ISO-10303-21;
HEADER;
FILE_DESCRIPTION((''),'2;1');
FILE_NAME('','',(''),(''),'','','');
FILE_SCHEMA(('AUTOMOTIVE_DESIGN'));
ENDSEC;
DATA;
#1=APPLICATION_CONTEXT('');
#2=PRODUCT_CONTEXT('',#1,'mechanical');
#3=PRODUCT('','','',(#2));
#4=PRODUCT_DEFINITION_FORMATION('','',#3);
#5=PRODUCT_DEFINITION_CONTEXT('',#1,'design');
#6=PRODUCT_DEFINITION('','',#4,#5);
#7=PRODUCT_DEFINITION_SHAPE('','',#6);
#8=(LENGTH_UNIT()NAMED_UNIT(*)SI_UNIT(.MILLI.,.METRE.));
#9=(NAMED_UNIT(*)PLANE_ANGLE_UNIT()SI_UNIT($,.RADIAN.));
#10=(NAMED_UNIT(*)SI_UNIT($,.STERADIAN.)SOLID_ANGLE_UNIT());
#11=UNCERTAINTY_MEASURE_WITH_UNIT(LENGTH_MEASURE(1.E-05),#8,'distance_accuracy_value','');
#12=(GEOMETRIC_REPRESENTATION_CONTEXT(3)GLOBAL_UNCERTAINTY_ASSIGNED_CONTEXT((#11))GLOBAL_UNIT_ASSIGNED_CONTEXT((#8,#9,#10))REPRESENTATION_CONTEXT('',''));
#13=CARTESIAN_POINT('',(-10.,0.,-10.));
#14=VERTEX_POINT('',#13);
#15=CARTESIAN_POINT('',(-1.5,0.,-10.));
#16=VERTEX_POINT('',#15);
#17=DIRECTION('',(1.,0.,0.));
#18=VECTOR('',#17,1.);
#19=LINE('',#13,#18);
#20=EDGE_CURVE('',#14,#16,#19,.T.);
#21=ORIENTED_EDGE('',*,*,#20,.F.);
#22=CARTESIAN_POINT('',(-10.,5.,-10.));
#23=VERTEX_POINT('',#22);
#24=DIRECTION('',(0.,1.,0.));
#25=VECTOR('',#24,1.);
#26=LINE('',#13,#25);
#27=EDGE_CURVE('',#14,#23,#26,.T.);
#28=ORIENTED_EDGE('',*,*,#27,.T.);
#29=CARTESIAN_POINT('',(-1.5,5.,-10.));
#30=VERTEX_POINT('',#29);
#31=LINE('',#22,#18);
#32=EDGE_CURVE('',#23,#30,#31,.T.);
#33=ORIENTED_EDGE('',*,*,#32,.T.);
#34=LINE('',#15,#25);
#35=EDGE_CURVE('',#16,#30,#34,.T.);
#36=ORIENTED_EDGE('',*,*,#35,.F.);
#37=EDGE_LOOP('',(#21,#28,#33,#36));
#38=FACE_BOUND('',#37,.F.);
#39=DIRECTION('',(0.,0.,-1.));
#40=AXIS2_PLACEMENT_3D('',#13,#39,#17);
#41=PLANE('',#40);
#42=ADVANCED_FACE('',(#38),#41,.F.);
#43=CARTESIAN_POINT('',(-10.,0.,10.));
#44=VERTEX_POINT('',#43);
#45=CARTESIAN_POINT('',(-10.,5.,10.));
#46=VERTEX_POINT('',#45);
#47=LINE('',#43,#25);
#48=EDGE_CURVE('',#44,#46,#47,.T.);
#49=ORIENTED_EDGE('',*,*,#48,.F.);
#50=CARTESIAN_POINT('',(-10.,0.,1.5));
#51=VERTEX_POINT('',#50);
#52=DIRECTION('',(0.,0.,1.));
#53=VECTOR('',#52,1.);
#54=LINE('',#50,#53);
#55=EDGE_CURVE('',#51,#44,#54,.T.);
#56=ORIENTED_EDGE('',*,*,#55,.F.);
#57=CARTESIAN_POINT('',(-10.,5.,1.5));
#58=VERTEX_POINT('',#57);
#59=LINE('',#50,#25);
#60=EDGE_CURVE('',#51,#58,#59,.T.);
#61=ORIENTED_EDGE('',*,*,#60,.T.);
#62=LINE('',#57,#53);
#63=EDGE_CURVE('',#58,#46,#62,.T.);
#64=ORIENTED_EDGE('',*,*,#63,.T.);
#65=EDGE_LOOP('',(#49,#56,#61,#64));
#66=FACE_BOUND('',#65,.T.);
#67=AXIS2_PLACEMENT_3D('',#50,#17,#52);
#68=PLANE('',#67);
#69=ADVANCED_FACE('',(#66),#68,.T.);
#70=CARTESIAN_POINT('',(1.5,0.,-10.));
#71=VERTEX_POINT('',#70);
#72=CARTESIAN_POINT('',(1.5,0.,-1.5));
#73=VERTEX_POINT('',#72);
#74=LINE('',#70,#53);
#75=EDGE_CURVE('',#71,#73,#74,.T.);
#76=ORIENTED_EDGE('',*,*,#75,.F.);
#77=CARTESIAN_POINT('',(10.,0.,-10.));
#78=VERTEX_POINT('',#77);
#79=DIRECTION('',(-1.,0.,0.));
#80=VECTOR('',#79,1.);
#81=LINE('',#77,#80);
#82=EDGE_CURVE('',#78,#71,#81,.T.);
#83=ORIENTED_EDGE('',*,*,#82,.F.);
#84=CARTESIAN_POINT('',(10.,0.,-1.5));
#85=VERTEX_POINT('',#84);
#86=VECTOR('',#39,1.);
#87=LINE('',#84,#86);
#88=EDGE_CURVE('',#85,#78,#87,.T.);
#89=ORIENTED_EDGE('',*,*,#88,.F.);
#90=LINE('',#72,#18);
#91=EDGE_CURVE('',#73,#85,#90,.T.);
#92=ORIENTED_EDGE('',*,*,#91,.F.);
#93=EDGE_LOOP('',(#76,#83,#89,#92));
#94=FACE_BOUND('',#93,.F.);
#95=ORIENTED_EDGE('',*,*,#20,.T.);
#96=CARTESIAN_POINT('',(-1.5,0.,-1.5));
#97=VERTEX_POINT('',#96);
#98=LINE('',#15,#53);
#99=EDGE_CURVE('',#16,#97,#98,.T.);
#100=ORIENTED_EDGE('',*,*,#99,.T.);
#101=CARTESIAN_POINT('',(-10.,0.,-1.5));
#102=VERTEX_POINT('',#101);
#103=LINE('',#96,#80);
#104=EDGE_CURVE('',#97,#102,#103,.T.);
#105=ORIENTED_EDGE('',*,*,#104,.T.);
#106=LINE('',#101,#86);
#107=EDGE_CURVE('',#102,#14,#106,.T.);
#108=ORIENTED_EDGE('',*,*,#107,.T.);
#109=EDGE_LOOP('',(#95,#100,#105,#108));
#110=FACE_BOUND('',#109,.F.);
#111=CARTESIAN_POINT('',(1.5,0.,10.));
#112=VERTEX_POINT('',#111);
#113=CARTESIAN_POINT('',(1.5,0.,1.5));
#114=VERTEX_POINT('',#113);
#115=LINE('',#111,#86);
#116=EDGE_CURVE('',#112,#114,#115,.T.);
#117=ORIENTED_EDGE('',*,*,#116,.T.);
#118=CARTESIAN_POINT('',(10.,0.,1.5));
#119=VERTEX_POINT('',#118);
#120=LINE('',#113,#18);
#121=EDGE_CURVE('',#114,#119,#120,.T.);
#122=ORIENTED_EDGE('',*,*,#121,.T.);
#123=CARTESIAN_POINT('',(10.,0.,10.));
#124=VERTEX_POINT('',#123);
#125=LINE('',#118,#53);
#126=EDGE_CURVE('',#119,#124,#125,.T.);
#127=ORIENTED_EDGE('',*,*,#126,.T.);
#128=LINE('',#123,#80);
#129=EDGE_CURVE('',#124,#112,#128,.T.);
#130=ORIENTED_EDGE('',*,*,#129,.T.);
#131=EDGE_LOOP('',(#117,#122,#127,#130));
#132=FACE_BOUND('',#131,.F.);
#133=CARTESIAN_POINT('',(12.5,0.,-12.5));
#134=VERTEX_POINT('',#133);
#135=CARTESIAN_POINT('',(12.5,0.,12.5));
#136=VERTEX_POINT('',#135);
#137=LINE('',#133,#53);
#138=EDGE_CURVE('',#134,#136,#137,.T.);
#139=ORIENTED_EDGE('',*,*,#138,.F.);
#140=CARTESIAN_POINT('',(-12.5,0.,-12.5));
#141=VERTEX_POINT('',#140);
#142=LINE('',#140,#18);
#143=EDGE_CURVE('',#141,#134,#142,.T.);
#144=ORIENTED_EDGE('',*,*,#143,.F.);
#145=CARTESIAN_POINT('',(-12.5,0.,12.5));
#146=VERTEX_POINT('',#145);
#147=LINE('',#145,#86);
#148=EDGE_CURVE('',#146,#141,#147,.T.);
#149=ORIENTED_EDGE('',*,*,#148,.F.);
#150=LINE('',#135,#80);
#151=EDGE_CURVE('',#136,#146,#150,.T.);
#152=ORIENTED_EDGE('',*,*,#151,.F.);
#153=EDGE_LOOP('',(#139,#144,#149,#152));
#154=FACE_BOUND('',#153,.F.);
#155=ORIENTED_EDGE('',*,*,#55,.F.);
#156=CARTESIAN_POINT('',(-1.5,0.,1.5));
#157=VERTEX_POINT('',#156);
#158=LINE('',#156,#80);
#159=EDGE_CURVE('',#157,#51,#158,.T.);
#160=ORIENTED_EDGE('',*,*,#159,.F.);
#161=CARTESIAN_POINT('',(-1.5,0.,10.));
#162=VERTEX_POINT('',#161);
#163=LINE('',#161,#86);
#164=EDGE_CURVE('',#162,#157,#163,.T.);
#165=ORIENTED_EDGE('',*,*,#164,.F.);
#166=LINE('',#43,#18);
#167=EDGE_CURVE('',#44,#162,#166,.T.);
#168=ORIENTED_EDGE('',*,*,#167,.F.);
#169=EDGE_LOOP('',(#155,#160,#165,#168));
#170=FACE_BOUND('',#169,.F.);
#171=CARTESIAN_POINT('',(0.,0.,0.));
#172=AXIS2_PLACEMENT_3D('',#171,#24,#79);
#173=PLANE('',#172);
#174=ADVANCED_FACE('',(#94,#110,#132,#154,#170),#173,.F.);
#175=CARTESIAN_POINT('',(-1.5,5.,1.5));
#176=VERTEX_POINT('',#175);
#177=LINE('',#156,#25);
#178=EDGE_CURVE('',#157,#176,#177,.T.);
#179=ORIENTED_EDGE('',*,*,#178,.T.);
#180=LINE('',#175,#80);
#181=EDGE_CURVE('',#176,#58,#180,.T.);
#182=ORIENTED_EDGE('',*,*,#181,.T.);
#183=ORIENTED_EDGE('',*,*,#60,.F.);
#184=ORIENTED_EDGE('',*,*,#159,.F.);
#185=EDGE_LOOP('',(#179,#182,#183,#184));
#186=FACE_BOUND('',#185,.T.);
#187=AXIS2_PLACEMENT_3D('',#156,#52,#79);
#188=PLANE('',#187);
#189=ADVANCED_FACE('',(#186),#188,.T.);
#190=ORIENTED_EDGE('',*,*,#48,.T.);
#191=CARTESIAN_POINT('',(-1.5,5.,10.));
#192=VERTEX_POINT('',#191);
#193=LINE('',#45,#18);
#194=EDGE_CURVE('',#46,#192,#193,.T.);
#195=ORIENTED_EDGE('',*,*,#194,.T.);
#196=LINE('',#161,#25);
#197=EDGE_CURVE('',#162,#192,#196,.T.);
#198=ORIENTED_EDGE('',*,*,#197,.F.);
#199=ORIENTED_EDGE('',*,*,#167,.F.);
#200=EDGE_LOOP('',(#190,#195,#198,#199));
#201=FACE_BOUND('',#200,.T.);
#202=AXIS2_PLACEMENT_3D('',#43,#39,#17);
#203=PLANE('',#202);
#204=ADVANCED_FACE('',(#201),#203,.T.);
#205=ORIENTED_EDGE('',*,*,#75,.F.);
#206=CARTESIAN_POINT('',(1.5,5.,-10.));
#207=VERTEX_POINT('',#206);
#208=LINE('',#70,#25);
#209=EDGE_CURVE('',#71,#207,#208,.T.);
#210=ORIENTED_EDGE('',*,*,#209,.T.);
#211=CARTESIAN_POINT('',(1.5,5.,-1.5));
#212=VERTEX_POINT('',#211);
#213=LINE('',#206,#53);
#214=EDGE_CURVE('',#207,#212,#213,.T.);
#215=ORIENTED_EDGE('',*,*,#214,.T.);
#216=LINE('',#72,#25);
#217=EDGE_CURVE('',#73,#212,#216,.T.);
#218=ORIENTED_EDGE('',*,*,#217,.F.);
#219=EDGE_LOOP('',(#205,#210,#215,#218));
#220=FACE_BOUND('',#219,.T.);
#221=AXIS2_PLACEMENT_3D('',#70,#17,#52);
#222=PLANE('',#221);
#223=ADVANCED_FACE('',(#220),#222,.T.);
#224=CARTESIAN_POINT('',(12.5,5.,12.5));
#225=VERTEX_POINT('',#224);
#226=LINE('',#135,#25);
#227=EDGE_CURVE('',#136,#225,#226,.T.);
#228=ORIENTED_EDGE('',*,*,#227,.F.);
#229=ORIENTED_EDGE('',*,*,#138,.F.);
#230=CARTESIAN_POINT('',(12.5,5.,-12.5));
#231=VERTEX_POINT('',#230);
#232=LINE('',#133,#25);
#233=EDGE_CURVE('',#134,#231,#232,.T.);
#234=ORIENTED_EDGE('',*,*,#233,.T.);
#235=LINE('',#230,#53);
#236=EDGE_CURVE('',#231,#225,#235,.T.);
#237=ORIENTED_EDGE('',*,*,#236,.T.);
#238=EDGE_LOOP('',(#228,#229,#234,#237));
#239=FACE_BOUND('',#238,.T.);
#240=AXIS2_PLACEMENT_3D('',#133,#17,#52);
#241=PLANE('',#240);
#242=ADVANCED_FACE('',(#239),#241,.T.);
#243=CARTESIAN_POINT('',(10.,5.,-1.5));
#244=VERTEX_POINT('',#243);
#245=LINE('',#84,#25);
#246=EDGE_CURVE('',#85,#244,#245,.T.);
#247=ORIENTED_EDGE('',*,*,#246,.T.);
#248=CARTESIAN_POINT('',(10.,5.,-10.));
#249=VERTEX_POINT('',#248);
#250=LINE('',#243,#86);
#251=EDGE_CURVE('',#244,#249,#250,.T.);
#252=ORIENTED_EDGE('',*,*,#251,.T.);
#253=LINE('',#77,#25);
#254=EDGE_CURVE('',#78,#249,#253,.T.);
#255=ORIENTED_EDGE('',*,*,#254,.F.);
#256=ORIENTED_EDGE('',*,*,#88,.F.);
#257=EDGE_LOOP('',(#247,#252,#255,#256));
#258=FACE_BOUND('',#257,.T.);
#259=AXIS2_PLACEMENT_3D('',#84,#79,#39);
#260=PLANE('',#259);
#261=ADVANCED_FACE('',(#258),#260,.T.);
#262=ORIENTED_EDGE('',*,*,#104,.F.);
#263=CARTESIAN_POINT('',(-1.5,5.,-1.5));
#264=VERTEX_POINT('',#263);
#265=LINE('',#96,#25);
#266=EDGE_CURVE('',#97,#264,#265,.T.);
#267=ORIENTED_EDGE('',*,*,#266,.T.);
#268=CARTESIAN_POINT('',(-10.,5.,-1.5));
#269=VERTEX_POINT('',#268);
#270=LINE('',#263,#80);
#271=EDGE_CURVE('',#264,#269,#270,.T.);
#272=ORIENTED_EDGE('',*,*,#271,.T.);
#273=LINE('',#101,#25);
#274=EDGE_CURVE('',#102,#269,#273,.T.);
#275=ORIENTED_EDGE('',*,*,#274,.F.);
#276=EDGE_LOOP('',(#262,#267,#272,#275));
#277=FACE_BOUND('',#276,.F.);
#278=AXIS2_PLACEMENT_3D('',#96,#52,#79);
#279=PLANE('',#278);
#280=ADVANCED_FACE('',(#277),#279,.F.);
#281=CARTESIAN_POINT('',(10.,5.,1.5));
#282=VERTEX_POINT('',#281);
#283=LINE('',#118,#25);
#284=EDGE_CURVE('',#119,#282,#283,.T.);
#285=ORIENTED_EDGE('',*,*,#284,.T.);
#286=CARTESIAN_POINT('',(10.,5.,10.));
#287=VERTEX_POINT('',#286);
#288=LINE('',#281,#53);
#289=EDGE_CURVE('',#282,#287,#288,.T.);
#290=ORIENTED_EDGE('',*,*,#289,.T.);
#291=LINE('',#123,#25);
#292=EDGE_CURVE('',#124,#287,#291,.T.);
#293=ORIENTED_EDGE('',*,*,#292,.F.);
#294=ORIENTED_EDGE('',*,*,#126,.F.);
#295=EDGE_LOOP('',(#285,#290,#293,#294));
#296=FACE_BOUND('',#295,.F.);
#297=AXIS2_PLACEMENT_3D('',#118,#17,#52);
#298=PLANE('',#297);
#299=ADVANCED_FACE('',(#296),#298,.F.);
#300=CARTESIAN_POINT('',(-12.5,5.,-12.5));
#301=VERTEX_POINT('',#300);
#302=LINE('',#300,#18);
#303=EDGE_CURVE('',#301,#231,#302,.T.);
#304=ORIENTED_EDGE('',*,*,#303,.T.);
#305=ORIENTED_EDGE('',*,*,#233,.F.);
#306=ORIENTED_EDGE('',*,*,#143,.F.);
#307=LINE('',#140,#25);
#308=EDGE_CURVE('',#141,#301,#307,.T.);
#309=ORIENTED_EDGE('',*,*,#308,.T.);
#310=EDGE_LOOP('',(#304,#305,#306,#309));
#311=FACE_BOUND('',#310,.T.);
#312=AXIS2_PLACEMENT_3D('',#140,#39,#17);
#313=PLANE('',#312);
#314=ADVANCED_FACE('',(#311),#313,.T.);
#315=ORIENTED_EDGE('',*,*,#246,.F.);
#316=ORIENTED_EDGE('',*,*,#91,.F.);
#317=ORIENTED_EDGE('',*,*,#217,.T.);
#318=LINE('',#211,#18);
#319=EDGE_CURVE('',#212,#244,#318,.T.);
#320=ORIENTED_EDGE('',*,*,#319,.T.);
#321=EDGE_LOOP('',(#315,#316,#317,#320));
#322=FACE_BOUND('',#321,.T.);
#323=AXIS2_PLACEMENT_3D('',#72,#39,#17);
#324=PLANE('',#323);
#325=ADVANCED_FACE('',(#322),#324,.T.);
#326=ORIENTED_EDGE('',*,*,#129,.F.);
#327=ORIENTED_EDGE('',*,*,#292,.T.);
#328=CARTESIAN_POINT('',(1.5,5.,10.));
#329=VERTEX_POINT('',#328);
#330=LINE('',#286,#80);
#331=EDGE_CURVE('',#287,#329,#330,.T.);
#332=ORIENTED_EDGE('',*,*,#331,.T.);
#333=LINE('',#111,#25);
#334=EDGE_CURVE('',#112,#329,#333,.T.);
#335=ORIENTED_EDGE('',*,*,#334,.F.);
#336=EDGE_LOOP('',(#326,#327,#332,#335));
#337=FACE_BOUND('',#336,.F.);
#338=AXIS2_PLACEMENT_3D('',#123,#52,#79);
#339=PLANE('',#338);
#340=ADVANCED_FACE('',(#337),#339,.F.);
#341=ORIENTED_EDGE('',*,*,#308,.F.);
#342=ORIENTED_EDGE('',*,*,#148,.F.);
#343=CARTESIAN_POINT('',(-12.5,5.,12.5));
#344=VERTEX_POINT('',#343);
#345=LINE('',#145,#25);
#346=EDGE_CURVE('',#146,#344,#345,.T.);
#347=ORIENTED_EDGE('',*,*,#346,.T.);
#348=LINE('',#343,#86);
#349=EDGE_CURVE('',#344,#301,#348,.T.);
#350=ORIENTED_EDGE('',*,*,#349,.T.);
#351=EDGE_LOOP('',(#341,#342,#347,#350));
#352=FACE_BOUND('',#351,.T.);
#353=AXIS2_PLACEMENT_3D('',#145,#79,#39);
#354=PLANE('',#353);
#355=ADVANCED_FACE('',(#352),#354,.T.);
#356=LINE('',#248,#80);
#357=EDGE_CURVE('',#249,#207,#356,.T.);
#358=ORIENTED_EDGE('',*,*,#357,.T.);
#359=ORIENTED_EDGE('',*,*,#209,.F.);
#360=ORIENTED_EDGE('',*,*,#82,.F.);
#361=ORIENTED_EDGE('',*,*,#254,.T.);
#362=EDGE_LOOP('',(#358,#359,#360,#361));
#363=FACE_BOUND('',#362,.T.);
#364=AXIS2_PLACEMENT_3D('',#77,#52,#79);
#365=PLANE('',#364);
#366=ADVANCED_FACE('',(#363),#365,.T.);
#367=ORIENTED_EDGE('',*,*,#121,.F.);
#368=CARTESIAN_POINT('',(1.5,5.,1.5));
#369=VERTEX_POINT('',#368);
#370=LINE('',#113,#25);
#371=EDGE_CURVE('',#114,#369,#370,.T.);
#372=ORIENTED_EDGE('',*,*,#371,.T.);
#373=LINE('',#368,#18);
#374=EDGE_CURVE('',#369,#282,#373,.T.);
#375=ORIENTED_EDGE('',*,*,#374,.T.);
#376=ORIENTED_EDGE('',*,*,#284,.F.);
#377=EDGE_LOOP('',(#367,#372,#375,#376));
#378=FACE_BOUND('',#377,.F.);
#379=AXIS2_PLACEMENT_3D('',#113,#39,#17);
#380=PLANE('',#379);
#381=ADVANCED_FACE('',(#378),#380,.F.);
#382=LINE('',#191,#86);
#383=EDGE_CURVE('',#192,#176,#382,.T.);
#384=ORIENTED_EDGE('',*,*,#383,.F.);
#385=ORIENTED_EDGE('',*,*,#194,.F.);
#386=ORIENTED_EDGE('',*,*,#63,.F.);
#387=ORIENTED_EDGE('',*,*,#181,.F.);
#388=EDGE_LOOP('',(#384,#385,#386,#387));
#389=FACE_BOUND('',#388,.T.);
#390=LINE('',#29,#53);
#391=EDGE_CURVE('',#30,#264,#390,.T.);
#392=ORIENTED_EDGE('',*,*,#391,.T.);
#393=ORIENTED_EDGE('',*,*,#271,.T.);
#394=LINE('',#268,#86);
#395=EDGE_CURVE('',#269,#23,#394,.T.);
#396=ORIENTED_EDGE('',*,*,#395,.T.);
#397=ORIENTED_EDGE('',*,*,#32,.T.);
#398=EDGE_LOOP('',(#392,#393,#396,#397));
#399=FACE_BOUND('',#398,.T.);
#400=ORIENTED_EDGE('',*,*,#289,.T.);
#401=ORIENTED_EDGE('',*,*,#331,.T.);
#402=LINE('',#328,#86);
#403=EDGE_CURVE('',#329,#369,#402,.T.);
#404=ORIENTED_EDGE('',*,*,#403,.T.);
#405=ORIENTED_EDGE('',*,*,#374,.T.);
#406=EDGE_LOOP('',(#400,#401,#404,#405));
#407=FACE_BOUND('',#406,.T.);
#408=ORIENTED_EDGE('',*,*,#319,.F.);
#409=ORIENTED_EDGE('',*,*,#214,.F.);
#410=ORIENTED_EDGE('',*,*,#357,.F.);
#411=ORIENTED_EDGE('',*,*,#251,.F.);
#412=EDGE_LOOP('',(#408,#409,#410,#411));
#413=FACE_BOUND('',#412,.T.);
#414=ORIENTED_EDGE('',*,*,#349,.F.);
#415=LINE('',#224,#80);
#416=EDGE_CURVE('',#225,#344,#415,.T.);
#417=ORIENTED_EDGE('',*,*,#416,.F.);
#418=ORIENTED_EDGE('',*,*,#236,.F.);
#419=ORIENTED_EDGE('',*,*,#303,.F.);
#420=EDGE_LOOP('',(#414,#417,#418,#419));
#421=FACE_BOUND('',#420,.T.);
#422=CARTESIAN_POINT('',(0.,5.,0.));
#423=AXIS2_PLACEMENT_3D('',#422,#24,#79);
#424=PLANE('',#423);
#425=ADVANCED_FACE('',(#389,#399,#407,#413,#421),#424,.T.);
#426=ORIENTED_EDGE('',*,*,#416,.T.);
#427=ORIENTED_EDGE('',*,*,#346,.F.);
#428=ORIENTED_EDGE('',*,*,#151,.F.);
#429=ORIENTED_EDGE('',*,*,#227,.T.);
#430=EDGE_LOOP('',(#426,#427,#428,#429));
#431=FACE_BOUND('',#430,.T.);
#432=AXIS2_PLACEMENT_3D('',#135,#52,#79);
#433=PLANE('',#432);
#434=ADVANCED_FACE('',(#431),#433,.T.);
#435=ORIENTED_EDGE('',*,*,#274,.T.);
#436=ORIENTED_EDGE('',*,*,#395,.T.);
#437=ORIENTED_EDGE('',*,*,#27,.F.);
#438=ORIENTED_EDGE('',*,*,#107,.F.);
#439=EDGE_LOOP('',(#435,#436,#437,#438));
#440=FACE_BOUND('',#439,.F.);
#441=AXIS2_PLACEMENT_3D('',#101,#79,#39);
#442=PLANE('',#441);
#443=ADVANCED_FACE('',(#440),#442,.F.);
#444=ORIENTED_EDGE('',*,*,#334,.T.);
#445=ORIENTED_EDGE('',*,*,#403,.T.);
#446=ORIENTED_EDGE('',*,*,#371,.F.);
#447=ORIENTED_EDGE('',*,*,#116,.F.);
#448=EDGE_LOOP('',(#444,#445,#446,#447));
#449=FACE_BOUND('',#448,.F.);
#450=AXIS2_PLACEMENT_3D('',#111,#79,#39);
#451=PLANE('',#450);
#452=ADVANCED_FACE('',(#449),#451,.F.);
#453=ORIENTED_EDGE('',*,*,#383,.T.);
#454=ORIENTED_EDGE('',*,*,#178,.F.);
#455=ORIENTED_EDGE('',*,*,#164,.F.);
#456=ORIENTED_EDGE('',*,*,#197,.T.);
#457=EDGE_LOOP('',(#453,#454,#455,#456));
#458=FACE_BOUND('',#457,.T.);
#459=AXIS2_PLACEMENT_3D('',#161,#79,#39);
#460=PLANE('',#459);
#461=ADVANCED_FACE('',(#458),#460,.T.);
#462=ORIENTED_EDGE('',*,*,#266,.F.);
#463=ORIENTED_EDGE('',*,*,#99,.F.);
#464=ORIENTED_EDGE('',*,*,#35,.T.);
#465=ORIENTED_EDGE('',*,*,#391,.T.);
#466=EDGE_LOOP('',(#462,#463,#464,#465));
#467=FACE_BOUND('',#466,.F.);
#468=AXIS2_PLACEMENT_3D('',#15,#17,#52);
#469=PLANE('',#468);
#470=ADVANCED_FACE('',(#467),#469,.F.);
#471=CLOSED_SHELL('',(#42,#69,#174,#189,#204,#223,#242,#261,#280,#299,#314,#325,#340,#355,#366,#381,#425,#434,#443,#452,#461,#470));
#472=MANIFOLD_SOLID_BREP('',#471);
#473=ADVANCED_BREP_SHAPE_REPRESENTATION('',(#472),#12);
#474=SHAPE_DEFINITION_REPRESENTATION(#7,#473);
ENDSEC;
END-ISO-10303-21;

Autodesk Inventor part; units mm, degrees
ref_plane "YZ Plane" through (0, 0, 0) normal (1, 0, 0) x (0, 1, 0)
ref_plane "XZ Plane" through (0, 0, 0) normal (0, 1, 0) x (-1, 0, 0)
ref_plane "XY Plane" through (0, 0, 0) normal (0, 0, 1) x (1, 0, 0)
sketch "Skizze1" plane through (0, 0, 0) normal (0, 1, 0) x (-1, 0, 0)
  line L0 (-12.5, 12.5) -> (12.5, 12.5)
  line L1 (12.5, 12.5) -> (12.5, -12.5)
  line L2 (12.5, -12.5) -> (-12.5, -12.5)
  line L3 (-12.5, -12.5) -> (-12.5, 12.5)
  line L4 (-12.5, 12.5) -> (12.5, -12.5) construction
  line L5 (12.5, 12.5) -> (-12.5, -12.5) construction
  line L6 (10, 10) -> (1.5, 10)
  line L7 (1.5, 10) -> (1.5, 1.5)
  line L8 (1.5, 1.5) -> (10, 1.5)
  line L9 (10, 1.5) -> (10, 10)
  line L10 (10, -10) -> (1.5, -10)
  line L11 (1.5, -10) -> (1.5, -1.5)
  line L12 (1.5, -1.5) -> (10, -1.5)
  line L13 (10, -1.5) -> (10, -10)
  line L14 (-1.5, 1.5) -> (-10, 1.5)
  line L15 (-10, 1.5) -> (-10, 10)
  line L16 (-10, 10) -> (-1.5, 10)
  line L17 (-1.5, 10) -> (-1.5, 1.5)
  line L18 (-1.5, -1.5) -> (-10, -1.5)
  line L19 (-10, -1.5) -> (-10, -10)
  line L20 (-10, -10) -> (-1.5, -10)
  line L21 (-1.5, -10) -> (-1.5, -1.5)
  point P0 (0, 0)
  dimension "d0" = 25
  dimension "d1" = 25
  dimension "d2" = 8.5
  dimension "d3" = 8.5
  dimension "d4" = 8.5
  dimension "d5" = 8.5
  dimension "d6" = 8.5
  dimension "d7" = 8.5
  dimension "d8" = 8.5
  dimension "d9" = 8.5
  dimension "d10" = 2.5
  dimension "d11" = 2.5
  dimension "d12" = 2.5
extrude "Extrusion1" add sketch "Skizze1" along normal blind 5
properties part number "Hydrogel_Test"
